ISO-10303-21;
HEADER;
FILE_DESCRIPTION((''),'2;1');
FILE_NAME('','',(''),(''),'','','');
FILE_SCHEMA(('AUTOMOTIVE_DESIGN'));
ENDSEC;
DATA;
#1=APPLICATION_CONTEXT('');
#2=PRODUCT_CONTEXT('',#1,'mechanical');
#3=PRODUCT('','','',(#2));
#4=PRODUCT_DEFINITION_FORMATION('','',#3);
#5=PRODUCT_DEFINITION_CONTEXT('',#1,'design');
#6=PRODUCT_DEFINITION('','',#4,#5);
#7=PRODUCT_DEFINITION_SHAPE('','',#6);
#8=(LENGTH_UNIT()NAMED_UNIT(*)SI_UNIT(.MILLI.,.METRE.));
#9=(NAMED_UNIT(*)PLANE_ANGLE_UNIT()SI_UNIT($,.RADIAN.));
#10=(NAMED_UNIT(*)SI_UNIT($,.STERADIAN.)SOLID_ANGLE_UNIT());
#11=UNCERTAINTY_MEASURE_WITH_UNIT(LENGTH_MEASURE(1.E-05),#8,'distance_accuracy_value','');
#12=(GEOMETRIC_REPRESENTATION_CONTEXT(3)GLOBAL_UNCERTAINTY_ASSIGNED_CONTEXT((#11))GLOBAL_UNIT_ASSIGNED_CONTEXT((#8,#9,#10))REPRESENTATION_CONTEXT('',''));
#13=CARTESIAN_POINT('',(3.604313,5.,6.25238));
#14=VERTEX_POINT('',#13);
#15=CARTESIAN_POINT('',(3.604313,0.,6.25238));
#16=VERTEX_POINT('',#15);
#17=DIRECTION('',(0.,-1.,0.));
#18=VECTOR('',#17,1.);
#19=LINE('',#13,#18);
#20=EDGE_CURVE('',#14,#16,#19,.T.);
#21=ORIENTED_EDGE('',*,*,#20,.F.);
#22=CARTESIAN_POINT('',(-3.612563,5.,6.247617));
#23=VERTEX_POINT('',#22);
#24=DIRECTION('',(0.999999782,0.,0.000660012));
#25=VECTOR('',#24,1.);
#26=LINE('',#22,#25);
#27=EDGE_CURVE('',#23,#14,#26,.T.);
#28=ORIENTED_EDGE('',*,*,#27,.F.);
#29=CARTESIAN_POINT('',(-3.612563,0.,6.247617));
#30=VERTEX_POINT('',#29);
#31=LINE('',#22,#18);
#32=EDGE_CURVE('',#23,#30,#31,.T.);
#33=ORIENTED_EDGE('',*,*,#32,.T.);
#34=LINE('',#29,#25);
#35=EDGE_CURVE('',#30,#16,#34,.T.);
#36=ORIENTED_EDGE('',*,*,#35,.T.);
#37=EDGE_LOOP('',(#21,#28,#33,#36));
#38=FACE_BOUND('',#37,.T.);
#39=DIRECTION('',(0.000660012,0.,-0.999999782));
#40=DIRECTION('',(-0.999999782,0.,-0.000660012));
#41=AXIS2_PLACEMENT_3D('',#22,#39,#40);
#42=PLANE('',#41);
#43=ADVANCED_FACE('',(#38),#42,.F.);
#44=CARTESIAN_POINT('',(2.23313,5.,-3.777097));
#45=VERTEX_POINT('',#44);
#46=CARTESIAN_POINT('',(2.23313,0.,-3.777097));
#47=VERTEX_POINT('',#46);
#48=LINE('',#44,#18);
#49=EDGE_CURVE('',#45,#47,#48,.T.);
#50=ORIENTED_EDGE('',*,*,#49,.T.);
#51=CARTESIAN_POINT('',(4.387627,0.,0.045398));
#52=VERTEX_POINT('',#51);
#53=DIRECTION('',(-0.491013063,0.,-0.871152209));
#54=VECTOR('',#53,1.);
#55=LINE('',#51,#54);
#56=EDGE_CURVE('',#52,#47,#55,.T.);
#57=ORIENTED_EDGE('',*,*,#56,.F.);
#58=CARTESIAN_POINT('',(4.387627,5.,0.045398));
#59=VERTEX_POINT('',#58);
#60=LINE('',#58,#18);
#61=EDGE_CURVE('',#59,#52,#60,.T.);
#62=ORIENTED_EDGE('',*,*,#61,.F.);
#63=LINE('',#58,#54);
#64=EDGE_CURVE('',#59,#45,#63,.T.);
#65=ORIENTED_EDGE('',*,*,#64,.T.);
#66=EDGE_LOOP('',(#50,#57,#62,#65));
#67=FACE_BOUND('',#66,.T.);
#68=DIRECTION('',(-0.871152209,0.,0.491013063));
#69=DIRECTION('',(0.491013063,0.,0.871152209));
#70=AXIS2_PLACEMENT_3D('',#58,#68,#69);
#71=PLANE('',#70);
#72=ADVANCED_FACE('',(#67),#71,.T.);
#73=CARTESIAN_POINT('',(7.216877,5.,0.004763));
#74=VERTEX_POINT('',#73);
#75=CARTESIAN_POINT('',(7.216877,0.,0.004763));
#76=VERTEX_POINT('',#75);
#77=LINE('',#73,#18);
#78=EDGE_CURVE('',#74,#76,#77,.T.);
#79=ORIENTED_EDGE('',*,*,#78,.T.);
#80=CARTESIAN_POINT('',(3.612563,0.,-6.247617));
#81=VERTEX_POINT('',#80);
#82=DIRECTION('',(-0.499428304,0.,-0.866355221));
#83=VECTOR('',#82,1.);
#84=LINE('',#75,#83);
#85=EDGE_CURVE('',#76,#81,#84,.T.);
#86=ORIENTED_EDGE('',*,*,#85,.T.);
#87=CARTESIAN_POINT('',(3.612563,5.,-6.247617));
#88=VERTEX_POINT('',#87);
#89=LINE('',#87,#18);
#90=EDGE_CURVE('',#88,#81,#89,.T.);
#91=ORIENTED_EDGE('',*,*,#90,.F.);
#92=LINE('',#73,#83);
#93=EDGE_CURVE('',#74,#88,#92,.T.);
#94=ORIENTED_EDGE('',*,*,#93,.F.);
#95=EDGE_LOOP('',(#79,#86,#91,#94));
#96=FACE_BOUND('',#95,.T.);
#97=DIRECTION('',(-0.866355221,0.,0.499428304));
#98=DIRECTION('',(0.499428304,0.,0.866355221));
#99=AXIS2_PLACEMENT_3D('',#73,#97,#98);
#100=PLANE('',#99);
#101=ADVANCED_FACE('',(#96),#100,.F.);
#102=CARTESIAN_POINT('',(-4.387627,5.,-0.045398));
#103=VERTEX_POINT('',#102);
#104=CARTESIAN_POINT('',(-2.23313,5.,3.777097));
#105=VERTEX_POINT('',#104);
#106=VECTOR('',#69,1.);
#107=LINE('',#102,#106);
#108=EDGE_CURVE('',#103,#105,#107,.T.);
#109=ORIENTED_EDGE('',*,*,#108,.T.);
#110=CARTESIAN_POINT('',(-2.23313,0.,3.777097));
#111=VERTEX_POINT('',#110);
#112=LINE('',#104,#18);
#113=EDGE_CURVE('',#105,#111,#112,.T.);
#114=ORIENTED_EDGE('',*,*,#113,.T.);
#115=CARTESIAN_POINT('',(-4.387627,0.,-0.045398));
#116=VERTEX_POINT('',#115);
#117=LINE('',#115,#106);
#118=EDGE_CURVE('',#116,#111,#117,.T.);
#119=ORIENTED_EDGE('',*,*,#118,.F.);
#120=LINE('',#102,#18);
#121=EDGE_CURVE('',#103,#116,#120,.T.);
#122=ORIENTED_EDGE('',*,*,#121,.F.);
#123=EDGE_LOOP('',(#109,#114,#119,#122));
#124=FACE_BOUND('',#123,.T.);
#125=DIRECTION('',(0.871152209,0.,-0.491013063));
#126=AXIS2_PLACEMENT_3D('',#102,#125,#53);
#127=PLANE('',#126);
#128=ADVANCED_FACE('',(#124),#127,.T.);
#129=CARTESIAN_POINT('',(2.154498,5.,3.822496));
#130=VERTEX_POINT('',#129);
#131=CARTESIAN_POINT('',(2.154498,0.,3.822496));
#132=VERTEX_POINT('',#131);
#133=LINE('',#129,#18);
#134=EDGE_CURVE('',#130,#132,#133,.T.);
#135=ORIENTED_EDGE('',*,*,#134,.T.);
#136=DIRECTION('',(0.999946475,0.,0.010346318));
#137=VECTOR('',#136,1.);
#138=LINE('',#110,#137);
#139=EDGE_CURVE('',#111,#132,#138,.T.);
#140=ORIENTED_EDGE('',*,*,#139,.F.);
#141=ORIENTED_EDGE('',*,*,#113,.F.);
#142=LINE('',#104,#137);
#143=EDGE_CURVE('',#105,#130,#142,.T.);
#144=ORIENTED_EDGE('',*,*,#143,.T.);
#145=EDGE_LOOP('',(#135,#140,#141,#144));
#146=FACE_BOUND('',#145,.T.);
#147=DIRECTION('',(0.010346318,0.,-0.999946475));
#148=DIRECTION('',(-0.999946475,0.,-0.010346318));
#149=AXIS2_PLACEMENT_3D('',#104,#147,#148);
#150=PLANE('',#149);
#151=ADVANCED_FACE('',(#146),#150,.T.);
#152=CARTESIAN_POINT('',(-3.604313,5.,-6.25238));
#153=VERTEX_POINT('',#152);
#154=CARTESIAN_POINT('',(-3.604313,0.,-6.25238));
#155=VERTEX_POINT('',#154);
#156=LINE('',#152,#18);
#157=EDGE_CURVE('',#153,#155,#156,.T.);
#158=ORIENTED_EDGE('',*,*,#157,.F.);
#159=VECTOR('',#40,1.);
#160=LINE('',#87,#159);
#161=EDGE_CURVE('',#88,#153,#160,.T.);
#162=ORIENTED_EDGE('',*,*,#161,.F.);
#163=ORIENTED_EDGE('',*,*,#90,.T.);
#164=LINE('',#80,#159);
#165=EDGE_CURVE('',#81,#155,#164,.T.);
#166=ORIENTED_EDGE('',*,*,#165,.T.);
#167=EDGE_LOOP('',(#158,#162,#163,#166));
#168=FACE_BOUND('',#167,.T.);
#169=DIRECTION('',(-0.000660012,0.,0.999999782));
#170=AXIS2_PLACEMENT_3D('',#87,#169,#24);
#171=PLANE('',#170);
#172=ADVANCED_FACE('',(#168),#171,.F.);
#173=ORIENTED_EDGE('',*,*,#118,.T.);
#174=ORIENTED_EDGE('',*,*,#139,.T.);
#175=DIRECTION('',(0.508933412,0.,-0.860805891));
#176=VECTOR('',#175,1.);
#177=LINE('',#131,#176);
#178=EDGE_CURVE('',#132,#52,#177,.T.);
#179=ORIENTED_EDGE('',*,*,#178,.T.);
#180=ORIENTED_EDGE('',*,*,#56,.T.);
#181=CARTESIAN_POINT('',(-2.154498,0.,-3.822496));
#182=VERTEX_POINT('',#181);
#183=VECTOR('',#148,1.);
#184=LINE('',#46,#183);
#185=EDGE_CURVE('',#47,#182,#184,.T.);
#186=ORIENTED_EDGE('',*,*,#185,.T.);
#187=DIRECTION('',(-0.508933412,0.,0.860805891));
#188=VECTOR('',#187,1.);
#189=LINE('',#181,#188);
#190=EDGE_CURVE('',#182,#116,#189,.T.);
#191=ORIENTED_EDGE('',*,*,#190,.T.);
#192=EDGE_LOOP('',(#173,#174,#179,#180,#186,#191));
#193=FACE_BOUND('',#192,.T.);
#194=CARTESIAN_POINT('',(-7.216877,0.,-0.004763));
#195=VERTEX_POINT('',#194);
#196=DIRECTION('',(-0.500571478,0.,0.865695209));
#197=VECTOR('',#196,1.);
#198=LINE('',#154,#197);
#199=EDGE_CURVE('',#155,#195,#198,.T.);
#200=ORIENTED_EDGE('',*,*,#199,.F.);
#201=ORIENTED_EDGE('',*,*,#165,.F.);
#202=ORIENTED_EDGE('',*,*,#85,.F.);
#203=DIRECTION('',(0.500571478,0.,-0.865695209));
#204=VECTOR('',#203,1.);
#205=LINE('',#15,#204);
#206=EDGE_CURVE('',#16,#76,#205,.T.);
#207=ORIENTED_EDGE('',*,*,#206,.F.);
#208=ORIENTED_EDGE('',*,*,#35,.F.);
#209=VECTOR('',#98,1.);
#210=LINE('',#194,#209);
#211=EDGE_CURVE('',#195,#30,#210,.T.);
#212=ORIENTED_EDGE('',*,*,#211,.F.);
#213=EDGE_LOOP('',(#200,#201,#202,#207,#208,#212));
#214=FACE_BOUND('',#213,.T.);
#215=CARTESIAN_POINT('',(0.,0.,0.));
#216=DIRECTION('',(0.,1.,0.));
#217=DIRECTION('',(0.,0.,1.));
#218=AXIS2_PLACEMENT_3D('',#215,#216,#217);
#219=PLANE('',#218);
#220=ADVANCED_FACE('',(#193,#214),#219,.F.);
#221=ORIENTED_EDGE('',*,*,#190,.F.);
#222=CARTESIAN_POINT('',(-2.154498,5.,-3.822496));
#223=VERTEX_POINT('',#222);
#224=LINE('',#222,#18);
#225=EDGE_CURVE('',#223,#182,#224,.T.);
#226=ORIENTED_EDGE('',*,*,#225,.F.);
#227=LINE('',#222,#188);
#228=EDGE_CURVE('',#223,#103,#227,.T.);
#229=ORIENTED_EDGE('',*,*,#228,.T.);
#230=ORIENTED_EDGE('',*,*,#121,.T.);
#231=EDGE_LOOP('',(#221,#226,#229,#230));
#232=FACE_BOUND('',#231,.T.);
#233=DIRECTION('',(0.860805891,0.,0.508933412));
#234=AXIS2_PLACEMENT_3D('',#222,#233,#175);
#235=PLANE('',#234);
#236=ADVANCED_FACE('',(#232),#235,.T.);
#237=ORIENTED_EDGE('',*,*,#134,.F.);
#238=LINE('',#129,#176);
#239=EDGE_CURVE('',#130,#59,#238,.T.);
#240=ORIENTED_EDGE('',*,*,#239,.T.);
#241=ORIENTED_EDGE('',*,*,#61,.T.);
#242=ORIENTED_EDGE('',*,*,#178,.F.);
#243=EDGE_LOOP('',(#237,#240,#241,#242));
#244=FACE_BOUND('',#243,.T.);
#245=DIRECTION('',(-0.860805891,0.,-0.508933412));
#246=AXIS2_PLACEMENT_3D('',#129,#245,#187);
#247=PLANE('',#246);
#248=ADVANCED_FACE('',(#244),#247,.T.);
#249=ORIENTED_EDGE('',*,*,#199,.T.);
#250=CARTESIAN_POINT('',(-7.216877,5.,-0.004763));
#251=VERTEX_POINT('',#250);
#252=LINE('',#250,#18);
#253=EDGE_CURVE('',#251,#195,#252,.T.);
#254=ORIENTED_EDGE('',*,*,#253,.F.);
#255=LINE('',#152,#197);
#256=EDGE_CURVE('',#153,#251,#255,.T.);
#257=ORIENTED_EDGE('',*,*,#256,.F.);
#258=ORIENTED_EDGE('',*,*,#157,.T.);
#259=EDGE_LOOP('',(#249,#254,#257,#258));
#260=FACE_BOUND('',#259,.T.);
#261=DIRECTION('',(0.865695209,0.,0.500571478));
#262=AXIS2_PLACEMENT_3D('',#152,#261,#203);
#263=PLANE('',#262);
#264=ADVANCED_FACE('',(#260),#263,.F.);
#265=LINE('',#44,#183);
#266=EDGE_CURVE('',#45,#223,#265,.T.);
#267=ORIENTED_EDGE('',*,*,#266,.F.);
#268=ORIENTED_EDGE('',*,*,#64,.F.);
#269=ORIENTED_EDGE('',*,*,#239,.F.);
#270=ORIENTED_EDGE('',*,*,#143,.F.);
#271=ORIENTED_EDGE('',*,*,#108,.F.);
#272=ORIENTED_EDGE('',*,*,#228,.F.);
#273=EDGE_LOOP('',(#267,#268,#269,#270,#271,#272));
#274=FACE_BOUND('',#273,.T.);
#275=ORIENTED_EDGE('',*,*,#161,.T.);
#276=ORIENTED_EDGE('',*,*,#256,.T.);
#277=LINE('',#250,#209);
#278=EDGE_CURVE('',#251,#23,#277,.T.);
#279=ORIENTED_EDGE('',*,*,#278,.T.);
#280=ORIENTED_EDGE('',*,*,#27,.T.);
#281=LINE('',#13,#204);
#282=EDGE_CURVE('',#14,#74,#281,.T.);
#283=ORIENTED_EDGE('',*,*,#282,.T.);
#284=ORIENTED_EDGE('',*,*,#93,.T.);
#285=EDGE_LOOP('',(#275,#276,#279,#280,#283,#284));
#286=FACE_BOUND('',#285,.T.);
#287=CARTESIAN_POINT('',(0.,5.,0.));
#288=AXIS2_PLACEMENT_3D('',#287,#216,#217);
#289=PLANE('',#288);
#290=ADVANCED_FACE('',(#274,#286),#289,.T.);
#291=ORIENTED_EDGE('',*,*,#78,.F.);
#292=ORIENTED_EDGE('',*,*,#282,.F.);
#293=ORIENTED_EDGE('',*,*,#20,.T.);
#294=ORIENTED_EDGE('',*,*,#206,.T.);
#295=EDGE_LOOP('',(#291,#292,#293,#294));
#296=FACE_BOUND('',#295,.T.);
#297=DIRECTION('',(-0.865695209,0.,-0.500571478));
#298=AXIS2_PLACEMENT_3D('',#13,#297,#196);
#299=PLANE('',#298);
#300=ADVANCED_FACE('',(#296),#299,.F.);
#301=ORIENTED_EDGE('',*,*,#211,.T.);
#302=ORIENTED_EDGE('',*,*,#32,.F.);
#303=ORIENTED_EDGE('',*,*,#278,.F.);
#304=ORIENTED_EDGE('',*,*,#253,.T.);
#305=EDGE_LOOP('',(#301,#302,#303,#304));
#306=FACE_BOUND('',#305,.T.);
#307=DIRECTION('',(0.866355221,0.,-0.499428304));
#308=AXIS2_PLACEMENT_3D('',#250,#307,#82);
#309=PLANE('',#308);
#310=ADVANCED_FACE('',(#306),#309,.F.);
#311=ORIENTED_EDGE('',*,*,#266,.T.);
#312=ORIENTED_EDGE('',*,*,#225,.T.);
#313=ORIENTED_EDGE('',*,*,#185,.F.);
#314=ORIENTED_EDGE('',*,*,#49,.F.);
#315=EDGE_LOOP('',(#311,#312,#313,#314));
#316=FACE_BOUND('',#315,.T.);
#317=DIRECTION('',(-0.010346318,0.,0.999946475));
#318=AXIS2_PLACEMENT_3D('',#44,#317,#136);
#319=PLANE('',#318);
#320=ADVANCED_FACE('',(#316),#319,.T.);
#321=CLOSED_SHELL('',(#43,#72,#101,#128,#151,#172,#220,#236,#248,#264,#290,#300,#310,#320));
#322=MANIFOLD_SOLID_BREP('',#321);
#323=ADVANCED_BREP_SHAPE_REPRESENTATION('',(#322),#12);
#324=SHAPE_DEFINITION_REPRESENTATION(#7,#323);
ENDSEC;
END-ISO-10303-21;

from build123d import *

# Parameters (mm, degrees)
BOSS_EXTRUDE1_DEPTH = 5


with BuildPart() as part:
    # Sketch1 → Boss-Extrude1 (new body)
    with BuildSketch(Plane(origin=(0, 0, 0), x_dir=(1, 0, 0), z_dir=(0, 1, 0))):
        Polygon((3.604313322, -6.252380252), (7.216876793, -0.004763226), (3.612563471, 6.247617026), (-3.604313322, 6.252380252), (-7.216876793, 0.004763226), (-3.612563471, -6.247617026), align=None)
        Polygon((2.154497585, -3.822495715), (4.387627187, -0.045398217), (2.233129603, 3.777097498), (-2.154497585, 3.822495715), (-4.387627187, 0.045398217), (-2.233129603, -3.777097498), align=None, mode=Mode.SUBTRACT)
    extrude(amount=BOSS_EXTRUDE1_DEPTH)


solid = part.part
